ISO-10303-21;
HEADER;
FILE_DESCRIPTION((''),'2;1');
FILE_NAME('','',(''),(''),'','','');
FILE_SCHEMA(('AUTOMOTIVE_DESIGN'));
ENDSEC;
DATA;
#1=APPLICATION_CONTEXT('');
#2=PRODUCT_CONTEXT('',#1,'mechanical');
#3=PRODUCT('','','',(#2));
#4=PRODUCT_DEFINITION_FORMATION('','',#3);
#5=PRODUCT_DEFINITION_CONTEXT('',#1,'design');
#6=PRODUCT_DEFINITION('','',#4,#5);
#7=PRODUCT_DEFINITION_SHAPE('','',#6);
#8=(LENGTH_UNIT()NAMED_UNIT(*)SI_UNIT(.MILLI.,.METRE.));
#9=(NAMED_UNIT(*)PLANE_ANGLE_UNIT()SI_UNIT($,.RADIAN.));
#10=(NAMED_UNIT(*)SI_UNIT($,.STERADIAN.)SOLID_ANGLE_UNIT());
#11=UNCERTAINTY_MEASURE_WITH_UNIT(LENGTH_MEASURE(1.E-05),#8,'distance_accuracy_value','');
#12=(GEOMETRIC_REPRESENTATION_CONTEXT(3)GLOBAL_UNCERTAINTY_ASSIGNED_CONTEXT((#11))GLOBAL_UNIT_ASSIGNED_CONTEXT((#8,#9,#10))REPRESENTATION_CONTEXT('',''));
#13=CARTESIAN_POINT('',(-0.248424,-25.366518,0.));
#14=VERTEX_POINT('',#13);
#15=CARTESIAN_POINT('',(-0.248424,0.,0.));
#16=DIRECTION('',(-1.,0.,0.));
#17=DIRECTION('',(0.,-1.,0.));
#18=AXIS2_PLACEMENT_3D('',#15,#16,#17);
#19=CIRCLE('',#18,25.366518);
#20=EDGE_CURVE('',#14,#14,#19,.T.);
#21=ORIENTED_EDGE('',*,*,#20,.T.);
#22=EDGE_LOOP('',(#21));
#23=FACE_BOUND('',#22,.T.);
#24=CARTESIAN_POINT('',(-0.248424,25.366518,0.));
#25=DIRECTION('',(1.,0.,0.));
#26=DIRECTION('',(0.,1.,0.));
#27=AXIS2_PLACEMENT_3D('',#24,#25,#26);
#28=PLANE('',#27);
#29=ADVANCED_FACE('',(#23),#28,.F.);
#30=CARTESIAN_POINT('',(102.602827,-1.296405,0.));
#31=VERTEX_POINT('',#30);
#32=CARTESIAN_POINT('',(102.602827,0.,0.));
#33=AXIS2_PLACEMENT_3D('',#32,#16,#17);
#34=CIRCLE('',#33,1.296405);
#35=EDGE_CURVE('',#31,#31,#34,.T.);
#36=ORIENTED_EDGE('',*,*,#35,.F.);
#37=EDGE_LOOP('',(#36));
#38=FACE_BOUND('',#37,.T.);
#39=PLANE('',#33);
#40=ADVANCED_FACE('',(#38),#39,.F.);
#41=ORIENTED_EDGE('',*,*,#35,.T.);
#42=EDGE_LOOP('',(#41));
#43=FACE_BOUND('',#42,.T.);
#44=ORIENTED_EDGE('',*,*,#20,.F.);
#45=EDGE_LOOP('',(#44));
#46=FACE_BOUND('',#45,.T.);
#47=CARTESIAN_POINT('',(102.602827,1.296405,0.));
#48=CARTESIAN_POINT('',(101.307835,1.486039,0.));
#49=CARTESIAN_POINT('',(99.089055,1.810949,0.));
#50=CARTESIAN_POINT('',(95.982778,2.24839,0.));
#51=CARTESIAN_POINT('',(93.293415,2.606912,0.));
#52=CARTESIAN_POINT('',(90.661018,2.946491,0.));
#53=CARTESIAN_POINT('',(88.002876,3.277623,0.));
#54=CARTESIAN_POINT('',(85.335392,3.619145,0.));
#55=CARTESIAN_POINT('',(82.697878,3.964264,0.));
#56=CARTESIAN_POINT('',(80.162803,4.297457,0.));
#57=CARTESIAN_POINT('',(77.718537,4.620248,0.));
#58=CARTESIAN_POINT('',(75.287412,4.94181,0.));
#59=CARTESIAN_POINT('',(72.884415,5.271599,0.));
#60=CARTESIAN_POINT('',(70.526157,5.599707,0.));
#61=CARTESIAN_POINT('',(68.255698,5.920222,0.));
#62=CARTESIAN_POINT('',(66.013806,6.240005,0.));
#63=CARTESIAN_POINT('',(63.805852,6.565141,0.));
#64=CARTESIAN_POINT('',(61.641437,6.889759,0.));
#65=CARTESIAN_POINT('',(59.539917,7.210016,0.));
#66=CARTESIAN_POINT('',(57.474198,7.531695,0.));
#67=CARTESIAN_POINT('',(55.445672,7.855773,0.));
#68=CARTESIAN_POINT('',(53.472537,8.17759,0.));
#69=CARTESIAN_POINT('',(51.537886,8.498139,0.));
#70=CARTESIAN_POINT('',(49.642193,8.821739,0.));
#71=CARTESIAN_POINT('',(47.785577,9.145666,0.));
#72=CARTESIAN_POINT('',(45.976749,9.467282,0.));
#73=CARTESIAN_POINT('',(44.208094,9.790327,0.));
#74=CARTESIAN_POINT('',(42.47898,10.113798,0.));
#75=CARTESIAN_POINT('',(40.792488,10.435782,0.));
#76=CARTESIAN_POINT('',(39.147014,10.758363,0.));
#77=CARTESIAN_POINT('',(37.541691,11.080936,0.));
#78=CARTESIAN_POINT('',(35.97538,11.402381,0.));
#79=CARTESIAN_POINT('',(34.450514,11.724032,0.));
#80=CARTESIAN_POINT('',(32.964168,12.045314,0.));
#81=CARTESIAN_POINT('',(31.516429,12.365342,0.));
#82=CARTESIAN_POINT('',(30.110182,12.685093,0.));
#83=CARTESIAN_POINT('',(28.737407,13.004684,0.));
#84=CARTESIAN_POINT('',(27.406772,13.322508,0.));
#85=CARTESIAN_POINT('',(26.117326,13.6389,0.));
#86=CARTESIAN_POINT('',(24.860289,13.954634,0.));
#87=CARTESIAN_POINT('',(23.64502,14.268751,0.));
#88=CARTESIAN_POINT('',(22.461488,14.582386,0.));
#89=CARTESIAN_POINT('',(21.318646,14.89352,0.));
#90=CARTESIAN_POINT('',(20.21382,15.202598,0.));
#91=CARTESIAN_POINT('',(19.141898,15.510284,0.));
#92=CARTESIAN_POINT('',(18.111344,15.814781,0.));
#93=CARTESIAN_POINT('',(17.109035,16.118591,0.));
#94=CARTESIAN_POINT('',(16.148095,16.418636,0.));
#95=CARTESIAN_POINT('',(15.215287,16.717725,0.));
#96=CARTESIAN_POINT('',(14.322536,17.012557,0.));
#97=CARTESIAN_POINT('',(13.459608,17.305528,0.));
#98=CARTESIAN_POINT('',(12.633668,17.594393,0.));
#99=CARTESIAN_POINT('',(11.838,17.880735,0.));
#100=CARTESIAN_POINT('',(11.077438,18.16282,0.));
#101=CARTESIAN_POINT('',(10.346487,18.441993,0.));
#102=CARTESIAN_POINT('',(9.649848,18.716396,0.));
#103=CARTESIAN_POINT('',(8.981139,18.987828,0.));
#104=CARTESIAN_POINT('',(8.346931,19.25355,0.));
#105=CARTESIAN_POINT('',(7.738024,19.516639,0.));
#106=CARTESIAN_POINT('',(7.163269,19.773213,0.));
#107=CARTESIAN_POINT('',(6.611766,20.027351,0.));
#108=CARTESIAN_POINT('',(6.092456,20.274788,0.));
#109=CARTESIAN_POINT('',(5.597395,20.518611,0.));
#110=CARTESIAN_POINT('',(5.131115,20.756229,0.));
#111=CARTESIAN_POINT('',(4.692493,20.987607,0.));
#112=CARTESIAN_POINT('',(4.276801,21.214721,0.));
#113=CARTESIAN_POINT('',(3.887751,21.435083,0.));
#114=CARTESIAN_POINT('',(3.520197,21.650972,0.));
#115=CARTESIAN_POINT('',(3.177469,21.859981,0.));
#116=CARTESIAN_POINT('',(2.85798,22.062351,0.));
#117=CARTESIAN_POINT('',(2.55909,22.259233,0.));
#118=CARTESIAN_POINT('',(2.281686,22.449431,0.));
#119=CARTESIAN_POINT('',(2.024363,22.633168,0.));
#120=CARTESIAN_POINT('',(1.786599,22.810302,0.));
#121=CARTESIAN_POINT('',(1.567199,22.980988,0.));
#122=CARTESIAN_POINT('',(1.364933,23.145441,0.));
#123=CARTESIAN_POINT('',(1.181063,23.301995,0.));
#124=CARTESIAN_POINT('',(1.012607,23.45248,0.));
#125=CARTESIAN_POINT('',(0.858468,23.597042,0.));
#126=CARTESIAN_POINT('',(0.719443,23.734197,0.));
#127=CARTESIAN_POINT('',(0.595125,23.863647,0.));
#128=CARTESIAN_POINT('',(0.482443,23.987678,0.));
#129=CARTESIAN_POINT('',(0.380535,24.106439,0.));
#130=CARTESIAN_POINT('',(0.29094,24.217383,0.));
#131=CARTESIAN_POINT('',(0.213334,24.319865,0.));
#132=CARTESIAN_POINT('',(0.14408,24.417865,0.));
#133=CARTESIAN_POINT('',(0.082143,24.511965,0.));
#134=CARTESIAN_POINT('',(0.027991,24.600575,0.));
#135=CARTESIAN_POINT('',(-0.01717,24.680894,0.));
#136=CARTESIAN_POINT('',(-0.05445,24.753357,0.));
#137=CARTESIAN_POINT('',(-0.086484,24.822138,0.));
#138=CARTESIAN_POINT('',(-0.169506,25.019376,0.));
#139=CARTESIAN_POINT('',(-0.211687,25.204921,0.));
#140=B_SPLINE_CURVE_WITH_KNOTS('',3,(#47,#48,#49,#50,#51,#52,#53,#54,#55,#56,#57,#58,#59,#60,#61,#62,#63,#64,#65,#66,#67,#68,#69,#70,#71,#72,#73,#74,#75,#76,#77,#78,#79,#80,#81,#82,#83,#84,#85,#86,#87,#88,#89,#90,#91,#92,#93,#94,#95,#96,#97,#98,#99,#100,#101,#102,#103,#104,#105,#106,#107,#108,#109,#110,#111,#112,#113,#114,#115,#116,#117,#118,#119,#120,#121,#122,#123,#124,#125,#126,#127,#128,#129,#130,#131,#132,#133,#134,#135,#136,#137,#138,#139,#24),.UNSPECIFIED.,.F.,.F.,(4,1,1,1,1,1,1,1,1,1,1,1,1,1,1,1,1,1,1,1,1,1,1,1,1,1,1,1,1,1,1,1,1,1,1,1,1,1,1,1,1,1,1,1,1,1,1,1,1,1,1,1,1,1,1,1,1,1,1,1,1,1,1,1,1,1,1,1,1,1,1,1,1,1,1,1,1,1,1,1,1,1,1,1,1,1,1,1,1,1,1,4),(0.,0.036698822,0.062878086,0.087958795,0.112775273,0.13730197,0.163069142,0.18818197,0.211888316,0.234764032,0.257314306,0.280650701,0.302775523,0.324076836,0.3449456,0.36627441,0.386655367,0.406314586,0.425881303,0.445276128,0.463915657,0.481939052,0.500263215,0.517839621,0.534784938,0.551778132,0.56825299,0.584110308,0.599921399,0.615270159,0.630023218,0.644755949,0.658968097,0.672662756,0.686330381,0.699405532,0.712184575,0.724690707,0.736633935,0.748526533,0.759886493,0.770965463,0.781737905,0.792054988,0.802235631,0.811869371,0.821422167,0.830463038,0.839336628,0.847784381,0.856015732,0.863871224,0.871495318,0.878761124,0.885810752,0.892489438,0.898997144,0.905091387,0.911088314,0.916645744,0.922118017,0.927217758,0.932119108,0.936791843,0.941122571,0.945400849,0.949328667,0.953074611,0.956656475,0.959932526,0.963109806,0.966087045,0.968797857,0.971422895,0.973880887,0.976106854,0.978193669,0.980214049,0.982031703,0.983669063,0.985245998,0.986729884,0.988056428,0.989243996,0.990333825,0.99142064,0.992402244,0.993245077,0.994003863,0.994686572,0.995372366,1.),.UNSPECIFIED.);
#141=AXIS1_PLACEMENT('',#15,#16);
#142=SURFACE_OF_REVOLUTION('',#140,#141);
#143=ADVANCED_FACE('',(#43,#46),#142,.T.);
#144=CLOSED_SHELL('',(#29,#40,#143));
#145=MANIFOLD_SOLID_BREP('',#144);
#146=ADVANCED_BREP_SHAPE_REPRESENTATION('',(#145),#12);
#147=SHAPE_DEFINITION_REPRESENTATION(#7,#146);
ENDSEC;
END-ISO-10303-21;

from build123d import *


with BuildPart() as part:
    # Sketch1 → Revolve1 (revolve)
    with BuildSketch(Plane.XY):
        with BuildLine():
            Line((-0.248424231, 25.366518146), (-0.248424231, 0))
            Line((-0.248424231, 0), (102.602827351, 0))
            Line((102.602827351, 0), (102.602827351, 1.296405352))
            add(Edge.make_bspline(
                [(102.602827351, 1.296405352), (101.307835307, 1.486039248), (99.089055064, 1.810949308), (95.982778147, 2.248389792), (93.29341543, 2.606912234), (90.66101806, 2.946491167), (88.002875936, 3.277622623), (85.335391598, 3.619144811), (82.697877775, 3.964263508), (80.162802662, 4.297457479), (77.718537226, 4.62024779), (75.287412003, 4.941809845), (72.884414669, 5.271598878), (70.526156706, 5.599706881), (68.255698379, 5.920221561), (66.013805577, 6.240005405), (63.805852127, 6.565141072), (61.641437102, 6.889759494), (59.539917324, 7.210016209), (57.474198119, 7.531695355), (55.445672137, 7.855773282), (53.47253693, 8.17758974), (51.537886024, 8.498138547), (49.642192899, 8.821738899), (47.785577004, 9.14566571), (45.976749194, 9.46728215), (44.20809438, 9.790326595), (42.478980397, 10.11379815), (40.79248803, 10.435782052), (39.147013981, 10.758362907), (37.541690912, 11.080936173), (35.975380159, 11.402381309), (34.450513587, 11.724031891), (32.964168248, 12.045313543), (31.516428703, 12.365341875), (30.110181868, 12.685092814), (28.737407171, 13.004683744), (27.406772057, 13.322508442), (26.117325802, 13.6388997), (24.86028865, 13.954634402), (23.645020088, 14.268750555), (22.461487686, 14.582385717), (21.318645846, 14.893520352), (20.213820335, 15.202597767), (19.141897883, 15.510284052), (18.111343586, 15.814780957), (17.109034962, 16.118591247), (16.148094759, 16.418636029), (15.215286943, 16.717725088), (14.322535902, 17.012557012), (13.459607851, 17.305528172), (12.633667678, 17.594393295), (11.838000291, 17.880734586), (11.077437693, 18.16281979), (10.346486675, 18.44199271), (9.649848499, 18.716395942), (8.9811395, 18.98782773), (8.34693062, 19.253550351), (7.738024109, 19.516638609), (7.16326903, 19.773212741), (6.611766163, 20.027350676), (6.092456194, 20.274788093), (5.597394913, 20.518611418), (5.131115322, 20.756228917), (4.692492521, 20.987606951), (4.276800948, 21.21472106), (3.887751079, 21.435083266), (3.520196813, 21.650971654), (3.177468923, 21.859981278), (2.857980446, 22.062350941), (2.559090064, 22.259232612), (2.281686268, 22.449430775), (2.024362832, 22.633167878), (1.786599493, 22.810301993), (1.567199405, 22.980988297), (1.36493335, 23.145441227), (1.181063338, 23.301995402), (1.012607391, 23.452480249), (0.858468391, 23.597041763), (0.719443466, 23.734196538), (0.595125282, 23.863646596), (0.482442645, 23.987678376), (0.380535303, 24.106439141), (0.290939558, 24.217382548), (0.213334195, 24.319865215), (0.144079958, 24.417864636), (0.082142951, 24.511964999), (0.027990865, 24.60057494), (-0.017170473, 24.680894415), (-0.054450335, 24.753357303), (-0.086483675, 24.822137774), (-0.16950601, 25.019375846), (-0.211687245, 25.204920969), (-0.248424231, 25.366518146)],
                knots=[0, 0, 0, 0, 0.036698822, 0.062878086, 0.087958795, 0.112775273, 0.13730197, 0.163069142, 0.18818197, 0.211888316, 0.234764032, 0.257314306, 0.280650701, 0.302775523, 0.324076836, 0.3449456, 0.36627441, 0.386655367, 0.406314586, 0.425881303, 0.445276128, 0.463915657, 0.481939052, 0.500263215, 0.517839621, 0.534784938, 0.551778132, 0.56825299, 0.584110308, 0.599921399, 0.615270159, 0.630023218, 0.644755949, 0.658968097, 0.672662756, 0.686330381, 0.699405532, 0.712184575, 0.724690707, 0.736633935, 0.748526533, 0.759886493, 0.770965463, 0.781737905, 0.792054988, 0.802235631, 0.811869371, 0.821422167, 0.830463038, 0.839336628, 0.847784381, 0.856015732, 0.863871224, 0.871495318, 0.878761124, 0.885810752, 0.892489438, 0.898997144, 0.905091387, 0.911088314, 0.916645744, 0.922118017, 0.927217758, 0.932119108, 0.936791843, 0.941122571, 0.945400849, 0.949328667, 0.953074611, 0.956656475, 0.959932526, 0.963109806, 0.966087045, 0.968797857, 0.971422895, 0.973880887, 0.976106854, 0.978193669, 0.980214049, 0.982031703, 0.983669063, 0.985245998, 0.986729884, 0.988056428, 0.989243996, 0.990333825, 0.99142064, 0.992402244, 0.993245077, 0.994003863, 0.994686572, 0.995372366, 1, 1, 1, 1], degree=3))
        make_face()
    revolve(axis=Axis((-0.248424231, 0, 0), (1, 0, 0)))


solid = part.part
